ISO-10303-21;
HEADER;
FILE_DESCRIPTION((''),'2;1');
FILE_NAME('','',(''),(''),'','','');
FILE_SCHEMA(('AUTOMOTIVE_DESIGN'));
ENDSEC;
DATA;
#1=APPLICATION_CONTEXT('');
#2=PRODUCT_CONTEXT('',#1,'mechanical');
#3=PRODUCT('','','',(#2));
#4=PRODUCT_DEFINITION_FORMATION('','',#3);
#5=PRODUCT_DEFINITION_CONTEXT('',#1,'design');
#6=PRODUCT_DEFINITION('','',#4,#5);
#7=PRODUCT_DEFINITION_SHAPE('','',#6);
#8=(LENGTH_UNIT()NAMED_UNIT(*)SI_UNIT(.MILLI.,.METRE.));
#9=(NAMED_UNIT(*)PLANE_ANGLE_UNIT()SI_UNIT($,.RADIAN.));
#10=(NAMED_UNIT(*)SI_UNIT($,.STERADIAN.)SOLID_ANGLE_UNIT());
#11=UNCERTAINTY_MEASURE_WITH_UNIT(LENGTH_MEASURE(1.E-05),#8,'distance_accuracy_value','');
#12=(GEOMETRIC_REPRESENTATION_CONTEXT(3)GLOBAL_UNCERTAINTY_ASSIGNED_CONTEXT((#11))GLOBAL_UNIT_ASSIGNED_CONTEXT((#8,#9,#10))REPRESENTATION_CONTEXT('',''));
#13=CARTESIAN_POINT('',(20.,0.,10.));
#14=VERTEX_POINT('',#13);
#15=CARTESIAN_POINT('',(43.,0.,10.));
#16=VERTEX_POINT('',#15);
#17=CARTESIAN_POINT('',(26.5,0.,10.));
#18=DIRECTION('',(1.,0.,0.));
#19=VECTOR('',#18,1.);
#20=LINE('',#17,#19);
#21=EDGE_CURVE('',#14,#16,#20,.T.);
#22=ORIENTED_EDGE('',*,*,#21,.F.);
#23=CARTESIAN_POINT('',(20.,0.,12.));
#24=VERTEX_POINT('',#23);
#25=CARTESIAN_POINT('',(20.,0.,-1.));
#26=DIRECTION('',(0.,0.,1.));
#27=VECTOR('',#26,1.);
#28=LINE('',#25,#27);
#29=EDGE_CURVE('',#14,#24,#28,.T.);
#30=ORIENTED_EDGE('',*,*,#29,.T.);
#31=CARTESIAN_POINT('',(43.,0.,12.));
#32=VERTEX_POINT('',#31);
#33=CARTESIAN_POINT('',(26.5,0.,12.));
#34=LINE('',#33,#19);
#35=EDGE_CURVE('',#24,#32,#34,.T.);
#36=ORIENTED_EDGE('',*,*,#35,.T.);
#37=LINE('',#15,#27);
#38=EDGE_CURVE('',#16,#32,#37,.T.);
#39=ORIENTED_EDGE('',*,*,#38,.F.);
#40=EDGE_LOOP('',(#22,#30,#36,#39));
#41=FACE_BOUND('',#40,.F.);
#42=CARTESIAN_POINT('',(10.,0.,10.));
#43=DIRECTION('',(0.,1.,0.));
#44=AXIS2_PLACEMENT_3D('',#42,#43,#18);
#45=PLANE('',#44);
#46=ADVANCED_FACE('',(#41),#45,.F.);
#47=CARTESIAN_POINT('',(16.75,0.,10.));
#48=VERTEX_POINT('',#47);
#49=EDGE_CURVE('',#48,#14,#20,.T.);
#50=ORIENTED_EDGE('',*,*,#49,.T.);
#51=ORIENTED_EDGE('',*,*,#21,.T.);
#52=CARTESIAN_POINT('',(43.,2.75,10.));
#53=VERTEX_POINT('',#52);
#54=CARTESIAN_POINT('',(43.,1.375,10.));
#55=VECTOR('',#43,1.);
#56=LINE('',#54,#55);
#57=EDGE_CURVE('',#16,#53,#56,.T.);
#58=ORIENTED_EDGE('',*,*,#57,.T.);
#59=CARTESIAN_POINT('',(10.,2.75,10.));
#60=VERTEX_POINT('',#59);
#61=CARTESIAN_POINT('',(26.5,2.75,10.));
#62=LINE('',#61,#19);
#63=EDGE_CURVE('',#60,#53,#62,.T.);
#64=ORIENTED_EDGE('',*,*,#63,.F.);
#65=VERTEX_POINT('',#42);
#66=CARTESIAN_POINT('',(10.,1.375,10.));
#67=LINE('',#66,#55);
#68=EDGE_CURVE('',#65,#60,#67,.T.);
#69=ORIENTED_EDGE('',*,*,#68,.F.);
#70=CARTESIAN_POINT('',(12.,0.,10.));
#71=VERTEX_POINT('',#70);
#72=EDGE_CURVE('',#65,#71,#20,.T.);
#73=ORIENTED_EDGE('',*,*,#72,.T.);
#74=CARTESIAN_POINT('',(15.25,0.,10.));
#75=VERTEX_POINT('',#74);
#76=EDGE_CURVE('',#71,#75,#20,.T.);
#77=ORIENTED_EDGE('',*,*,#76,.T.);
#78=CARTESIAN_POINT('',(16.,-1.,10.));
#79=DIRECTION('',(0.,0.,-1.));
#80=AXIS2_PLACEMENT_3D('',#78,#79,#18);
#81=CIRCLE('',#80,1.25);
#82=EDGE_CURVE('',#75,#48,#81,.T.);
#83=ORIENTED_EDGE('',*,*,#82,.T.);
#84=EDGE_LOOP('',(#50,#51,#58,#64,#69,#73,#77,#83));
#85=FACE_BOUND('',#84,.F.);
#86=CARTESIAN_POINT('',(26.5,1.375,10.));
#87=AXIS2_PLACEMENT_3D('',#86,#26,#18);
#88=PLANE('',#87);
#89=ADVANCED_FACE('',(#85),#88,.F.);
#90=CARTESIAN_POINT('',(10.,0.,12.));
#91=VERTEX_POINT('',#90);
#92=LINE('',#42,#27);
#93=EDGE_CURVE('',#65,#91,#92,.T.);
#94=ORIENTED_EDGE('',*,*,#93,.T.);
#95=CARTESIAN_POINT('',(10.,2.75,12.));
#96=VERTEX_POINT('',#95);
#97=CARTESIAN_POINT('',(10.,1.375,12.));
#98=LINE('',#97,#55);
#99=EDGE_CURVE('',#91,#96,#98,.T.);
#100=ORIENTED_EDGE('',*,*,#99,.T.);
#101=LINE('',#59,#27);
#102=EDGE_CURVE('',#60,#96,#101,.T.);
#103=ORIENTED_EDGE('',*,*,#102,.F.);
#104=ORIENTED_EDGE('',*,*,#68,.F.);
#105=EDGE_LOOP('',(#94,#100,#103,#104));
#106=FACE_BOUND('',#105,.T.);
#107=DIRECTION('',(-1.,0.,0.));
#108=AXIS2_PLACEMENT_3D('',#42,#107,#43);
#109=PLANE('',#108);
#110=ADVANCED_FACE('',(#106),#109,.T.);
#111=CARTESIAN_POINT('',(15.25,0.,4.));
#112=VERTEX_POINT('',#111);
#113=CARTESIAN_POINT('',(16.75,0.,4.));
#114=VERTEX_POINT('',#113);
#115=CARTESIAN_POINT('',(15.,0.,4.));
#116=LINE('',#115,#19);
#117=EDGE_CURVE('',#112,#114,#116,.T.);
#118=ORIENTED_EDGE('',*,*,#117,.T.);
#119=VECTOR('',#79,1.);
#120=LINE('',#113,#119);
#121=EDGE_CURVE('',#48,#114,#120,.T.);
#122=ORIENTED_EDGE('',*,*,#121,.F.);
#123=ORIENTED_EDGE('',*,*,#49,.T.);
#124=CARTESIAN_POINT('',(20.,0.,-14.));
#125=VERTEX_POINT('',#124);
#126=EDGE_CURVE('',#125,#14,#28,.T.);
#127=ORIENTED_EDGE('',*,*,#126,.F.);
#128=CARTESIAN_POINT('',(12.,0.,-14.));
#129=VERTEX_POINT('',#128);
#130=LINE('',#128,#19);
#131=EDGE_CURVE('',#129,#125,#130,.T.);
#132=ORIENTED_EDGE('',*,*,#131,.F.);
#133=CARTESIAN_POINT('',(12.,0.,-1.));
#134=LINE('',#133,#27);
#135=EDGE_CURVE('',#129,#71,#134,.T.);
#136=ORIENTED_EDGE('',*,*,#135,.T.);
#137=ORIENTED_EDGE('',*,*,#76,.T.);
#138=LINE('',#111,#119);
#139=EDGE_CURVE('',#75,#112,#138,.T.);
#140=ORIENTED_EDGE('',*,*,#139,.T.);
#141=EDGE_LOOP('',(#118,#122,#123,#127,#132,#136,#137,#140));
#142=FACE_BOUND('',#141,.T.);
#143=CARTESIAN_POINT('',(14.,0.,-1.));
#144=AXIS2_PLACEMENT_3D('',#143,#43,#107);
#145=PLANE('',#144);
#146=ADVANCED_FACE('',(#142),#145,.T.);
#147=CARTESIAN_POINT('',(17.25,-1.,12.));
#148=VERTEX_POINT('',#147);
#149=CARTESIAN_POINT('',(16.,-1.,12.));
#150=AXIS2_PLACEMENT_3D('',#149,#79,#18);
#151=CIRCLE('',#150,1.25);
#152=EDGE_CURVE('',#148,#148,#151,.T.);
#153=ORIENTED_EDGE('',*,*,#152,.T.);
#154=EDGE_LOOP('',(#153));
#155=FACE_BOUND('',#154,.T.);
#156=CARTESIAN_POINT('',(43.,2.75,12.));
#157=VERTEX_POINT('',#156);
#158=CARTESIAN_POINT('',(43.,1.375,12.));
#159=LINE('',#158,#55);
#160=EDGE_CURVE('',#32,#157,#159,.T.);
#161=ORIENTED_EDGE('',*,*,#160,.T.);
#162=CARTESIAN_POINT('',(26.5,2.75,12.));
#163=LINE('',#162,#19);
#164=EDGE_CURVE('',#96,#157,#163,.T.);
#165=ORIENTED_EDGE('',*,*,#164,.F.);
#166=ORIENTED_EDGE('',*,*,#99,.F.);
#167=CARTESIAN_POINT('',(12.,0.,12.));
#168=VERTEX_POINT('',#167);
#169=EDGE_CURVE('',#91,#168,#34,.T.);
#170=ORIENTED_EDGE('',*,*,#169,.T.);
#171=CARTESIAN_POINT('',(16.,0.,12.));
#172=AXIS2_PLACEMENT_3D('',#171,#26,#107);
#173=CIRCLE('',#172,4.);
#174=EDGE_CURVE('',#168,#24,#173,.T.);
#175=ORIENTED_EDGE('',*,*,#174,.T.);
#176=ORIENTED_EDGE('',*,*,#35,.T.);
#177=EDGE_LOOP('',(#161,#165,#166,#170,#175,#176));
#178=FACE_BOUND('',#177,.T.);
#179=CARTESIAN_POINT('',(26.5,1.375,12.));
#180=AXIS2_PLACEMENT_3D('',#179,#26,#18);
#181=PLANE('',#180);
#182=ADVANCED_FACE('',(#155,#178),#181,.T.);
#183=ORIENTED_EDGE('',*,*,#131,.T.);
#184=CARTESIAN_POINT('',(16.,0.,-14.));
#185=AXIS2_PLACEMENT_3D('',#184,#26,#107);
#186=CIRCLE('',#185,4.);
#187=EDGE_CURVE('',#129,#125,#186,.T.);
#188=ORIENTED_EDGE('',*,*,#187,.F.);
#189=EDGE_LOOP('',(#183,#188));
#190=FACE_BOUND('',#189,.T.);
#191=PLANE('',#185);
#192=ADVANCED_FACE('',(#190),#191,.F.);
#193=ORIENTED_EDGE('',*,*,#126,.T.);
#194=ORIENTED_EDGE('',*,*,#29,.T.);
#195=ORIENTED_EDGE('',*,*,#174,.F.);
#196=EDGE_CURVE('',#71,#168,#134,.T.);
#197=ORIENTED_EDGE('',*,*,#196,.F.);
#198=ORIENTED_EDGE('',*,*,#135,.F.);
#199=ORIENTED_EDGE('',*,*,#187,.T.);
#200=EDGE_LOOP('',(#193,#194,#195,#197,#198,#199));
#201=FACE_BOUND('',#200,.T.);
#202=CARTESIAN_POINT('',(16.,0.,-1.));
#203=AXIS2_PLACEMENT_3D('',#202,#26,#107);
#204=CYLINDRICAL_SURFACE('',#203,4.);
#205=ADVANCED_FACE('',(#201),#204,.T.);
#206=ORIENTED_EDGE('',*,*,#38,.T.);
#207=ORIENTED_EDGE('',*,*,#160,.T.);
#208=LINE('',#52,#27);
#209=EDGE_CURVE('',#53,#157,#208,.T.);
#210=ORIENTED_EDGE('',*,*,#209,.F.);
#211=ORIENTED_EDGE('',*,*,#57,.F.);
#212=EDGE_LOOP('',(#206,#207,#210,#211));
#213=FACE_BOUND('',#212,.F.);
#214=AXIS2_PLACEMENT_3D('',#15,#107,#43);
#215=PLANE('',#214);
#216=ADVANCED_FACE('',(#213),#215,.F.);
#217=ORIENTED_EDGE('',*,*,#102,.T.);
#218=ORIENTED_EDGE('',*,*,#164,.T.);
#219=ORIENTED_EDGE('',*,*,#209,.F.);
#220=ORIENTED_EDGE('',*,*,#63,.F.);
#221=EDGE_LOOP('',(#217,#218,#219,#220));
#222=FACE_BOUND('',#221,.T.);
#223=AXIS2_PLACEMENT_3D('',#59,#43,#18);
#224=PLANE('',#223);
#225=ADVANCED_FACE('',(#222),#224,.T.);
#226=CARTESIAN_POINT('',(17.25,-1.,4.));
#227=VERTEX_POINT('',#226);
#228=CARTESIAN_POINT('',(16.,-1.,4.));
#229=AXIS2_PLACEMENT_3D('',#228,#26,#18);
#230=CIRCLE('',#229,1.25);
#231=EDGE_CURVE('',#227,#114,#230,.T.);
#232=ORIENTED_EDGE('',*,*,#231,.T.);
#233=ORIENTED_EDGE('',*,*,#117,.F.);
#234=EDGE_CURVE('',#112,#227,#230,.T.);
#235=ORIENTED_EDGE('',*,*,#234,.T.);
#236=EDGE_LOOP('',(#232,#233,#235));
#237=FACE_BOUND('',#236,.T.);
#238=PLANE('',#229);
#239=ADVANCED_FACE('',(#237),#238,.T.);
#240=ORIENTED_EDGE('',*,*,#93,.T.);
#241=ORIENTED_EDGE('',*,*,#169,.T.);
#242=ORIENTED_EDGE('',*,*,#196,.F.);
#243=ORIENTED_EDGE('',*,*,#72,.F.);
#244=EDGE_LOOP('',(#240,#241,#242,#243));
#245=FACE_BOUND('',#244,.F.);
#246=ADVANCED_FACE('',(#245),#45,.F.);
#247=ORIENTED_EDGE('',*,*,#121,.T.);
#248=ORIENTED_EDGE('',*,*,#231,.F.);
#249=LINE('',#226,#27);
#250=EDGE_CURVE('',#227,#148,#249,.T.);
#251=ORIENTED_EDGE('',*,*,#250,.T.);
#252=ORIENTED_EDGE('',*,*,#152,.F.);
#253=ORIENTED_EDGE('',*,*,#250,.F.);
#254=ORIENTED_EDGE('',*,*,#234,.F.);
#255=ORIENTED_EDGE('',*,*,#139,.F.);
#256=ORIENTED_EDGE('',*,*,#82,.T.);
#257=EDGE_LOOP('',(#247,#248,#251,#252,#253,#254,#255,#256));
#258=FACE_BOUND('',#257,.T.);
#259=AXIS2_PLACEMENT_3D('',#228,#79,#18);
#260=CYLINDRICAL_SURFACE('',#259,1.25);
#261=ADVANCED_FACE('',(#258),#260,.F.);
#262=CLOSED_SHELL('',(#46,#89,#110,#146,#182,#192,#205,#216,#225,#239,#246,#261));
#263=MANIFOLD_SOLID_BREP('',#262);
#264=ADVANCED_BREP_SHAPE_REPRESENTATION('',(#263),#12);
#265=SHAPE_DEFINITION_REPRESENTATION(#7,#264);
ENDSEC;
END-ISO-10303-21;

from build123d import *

# Parameters (mm, degrees)
CYLINDER004_R     = 1.25
CYLINDER004_DEPTH = 10
BOX005_W          = 33
BOX005_H          = 2.75
BOX005_DEPTH      = 2
CYLINDER_W        = 4
CYLINDER_H        = 26
CYLINDER_ANGLE    = 180


with BuildPart() as b_sw:
    # Cylinder004 → Cylinder004 (new body)
    with BuildSketch(Plane(origin=(10, -1, 4), x_dir=(1, 0, 0), z_dir=(0, 0, 1))):
        Circle(CYLINDER004_R)
    extrude(amount=CYLINDER004_DEPTH)


with BuildPart() as s013:
    # Box005 → Box005 (new body)
    with BuildSketch(Plane(origin=(4, 0, 10), x_dir=(1, 0, 0), z_dir=(0, 0, 1))):
        with Locations((16.5, 1.375)):
            Rectangle(BOX005_W, BOX005_H)
    extrude(amount=BOX005_DEPTH)


with BuildPart() as cut015_ssw:
    # Cylinder → Cylinder (revolve)
    with BuildSketch(Plane(origin=(10, 0, -14), x_dir=(-1, 0, 0), z_dir=(0, 1, 0))):
        with Locations((2, 13)):
            Rectangle(CYLINDER_W, CYLINDER_H)
    revolve(axis=Axis((10, 0, -14), (0, 0, 1)), revolution_arc=CYLINDER_ANGLE)

    # Fusion009: union S013
    add(s013.part)

    # Cut015: cut B_SW
    add(b_sw.part, mode=Mode.SUBTRACT)


with BuildPart() as cut015_ssw_1:
    # Cut015 placement: moved
    add(cut015_ssw.part.moved(Location((6, 0, 0))))


solid = cut015_ssw_1.part
